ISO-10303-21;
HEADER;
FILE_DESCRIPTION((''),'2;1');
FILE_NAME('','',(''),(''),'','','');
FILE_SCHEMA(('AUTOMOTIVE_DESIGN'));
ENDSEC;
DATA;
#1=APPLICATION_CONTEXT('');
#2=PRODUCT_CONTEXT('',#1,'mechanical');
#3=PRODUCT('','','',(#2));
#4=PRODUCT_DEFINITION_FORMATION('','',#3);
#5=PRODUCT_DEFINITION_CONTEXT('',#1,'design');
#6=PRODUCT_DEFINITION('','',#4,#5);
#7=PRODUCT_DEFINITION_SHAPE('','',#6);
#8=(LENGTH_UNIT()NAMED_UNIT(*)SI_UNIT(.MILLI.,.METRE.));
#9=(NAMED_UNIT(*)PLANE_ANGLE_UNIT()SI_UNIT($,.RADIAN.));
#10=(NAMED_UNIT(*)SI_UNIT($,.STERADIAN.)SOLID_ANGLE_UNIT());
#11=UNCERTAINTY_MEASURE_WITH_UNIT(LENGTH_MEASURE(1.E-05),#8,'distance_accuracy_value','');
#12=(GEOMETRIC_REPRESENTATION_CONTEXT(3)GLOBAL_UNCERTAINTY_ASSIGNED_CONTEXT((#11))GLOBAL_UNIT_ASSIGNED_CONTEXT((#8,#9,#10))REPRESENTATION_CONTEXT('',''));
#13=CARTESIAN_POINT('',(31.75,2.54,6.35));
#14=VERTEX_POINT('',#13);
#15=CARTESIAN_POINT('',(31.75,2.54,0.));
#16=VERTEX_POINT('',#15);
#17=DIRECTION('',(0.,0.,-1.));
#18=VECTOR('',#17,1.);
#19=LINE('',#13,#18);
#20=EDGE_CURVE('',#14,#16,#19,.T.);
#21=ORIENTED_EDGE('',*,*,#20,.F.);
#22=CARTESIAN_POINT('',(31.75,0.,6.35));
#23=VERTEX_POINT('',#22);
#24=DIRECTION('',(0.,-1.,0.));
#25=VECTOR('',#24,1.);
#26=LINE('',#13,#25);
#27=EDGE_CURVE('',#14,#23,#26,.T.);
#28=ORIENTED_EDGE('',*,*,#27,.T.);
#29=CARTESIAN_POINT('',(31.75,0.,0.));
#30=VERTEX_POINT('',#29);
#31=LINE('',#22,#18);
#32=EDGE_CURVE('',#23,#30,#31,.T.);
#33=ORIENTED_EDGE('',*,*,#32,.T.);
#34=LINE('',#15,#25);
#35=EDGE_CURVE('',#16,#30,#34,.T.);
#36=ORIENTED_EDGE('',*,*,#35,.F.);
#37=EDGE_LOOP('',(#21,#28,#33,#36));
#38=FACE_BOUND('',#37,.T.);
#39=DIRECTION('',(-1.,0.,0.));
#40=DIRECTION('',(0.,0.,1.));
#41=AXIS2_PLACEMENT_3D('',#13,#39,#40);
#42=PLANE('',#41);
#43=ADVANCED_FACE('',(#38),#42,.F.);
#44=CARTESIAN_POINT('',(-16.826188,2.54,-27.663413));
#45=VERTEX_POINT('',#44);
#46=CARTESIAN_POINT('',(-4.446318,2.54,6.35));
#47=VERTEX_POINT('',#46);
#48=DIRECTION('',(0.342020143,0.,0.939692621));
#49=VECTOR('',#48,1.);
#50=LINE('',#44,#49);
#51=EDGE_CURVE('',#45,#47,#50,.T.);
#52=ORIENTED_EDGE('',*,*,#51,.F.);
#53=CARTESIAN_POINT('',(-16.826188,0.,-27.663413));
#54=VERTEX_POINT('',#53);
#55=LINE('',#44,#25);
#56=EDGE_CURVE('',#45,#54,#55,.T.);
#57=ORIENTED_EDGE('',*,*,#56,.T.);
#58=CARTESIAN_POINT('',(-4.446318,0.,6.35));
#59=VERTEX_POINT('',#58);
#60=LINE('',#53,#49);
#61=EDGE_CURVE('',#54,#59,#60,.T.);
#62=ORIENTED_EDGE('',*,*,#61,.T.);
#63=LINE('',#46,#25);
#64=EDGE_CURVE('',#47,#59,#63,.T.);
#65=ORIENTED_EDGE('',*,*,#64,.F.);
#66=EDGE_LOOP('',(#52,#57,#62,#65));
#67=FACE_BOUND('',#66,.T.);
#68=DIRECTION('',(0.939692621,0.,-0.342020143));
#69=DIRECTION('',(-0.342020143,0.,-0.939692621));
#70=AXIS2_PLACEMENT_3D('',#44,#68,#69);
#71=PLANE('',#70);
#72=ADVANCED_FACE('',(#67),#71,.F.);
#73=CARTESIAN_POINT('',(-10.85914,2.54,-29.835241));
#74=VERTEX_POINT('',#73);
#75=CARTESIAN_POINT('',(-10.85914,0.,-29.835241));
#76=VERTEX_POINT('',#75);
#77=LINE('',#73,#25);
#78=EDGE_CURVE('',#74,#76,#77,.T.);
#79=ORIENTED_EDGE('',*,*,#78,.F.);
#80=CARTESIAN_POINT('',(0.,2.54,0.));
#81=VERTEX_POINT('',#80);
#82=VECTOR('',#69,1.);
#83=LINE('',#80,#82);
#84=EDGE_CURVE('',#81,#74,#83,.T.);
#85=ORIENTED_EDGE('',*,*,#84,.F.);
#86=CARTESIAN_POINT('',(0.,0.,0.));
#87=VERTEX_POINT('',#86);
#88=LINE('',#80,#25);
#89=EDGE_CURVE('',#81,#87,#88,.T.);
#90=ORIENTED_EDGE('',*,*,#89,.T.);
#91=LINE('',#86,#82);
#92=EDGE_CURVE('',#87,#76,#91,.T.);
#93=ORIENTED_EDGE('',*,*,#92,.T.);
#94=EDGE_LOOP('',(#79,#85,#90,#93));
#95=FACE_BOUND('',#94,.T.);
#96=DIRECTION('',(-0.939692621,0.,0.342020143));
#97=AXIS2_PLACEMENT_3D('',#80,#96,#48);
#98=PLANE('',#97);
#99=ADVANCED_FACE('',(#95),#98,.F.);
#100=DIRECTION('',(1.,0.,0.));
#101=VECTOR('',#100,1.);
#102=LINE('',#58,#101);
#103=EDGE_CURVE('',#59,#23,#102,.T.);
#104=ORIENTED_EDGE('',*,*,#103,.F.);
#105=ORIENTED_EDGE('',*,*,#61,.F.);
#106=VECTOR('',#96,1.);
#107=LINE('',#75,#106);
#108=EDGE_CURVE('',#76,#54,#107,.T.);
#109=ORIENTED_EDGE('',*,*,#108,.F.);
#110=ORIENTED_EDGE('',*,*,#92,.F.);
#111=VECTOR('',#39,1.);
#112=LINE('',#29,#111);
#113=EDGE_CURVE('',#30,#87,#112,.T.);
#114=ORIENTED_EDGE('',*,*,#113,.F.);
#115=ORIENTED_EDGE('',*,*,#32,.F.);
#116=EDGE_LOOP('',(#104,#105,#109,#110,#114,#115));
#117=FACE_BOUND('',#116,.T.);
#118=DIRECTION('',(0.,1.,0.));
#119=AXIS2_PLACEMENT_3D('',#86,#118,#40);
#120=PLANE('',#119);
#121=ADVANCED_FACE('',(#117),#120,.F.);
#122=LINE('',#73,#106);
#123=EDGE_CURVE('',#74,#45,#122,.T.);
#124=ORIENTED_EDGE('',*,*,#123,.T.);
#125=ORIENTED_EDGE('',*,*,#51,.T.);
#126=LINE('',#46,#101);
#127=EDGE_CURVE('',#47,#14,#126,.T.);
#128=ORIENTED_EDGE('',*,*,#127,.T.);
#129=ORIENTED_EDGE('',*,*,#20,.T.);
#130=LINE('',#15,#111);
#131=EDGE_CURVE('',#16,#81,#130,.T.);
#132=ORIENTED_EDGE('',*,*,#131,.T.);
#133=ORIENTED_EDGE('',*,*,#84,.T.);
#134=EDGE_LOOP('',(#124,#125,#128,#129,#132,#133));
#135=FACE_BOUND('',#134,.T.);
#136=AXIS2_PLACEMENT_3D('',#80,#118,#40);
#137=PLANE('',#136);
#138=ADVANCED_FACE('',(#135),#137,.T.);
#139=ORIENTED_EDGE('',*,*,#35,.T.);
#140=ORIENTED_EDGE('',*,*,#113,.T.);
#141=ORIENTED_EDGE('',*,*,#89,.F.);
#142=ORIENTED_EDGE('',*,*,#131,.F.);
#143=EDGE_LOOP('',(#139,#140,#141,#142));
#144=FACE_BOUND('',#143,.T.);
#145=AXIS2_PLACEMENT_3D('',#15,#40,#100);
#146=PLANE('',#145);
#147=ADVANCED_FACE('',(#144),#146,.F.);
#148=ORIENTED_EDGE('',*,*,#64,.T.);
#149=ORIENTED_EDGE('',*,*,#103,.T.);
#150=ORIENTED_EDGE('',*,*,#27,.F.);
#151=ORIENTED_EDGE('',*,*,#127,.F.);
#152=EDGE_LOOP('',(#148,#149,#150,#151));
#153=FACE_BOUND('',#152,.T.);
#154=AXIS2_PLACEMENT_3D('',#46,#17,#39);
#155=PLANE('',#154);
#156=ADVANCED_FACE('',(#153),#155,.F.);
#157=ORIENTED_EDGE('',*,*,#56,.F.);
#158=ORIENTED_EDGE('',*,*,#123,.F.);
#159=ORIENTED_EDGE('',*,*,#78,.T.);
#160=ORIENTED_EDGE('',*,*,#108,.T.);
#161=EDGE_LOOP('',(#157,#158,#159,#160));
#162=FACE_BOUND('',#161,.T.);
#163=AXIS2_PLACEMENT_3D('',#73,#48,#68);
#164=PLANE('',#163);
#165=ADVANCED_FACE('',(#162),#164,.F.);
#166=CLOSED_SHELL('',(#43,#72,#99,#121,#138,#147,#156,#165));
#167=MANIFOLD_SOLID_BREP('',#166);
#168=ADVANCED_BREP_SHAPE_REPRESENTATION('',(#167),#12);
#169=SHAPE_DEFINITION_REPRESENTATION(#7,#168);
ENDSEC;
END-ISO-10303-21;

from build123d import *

# Parameters (mm, degrees)
BOSS_EXTRUDE1_DEPTH = 2.54


with BuildPart() as part:
    # Sketch1 → Boss-Extrude1 (new body)
    with BuildSketch(Plane(origin=(0, 0, 0), x_dir=(1, 0, 0), z_dir=(0, 1, 0))):
        Polygon((31.75, 0), (0, 0), (-10.859139551, 29.83524071), (-16.826187693, 27.6634128), (-4.446317868, -6.35), (31.75, -6.35), align=None)
    extrude(amount=BOSS_EXTRUDE1_DEPTH)


solid = part.part
